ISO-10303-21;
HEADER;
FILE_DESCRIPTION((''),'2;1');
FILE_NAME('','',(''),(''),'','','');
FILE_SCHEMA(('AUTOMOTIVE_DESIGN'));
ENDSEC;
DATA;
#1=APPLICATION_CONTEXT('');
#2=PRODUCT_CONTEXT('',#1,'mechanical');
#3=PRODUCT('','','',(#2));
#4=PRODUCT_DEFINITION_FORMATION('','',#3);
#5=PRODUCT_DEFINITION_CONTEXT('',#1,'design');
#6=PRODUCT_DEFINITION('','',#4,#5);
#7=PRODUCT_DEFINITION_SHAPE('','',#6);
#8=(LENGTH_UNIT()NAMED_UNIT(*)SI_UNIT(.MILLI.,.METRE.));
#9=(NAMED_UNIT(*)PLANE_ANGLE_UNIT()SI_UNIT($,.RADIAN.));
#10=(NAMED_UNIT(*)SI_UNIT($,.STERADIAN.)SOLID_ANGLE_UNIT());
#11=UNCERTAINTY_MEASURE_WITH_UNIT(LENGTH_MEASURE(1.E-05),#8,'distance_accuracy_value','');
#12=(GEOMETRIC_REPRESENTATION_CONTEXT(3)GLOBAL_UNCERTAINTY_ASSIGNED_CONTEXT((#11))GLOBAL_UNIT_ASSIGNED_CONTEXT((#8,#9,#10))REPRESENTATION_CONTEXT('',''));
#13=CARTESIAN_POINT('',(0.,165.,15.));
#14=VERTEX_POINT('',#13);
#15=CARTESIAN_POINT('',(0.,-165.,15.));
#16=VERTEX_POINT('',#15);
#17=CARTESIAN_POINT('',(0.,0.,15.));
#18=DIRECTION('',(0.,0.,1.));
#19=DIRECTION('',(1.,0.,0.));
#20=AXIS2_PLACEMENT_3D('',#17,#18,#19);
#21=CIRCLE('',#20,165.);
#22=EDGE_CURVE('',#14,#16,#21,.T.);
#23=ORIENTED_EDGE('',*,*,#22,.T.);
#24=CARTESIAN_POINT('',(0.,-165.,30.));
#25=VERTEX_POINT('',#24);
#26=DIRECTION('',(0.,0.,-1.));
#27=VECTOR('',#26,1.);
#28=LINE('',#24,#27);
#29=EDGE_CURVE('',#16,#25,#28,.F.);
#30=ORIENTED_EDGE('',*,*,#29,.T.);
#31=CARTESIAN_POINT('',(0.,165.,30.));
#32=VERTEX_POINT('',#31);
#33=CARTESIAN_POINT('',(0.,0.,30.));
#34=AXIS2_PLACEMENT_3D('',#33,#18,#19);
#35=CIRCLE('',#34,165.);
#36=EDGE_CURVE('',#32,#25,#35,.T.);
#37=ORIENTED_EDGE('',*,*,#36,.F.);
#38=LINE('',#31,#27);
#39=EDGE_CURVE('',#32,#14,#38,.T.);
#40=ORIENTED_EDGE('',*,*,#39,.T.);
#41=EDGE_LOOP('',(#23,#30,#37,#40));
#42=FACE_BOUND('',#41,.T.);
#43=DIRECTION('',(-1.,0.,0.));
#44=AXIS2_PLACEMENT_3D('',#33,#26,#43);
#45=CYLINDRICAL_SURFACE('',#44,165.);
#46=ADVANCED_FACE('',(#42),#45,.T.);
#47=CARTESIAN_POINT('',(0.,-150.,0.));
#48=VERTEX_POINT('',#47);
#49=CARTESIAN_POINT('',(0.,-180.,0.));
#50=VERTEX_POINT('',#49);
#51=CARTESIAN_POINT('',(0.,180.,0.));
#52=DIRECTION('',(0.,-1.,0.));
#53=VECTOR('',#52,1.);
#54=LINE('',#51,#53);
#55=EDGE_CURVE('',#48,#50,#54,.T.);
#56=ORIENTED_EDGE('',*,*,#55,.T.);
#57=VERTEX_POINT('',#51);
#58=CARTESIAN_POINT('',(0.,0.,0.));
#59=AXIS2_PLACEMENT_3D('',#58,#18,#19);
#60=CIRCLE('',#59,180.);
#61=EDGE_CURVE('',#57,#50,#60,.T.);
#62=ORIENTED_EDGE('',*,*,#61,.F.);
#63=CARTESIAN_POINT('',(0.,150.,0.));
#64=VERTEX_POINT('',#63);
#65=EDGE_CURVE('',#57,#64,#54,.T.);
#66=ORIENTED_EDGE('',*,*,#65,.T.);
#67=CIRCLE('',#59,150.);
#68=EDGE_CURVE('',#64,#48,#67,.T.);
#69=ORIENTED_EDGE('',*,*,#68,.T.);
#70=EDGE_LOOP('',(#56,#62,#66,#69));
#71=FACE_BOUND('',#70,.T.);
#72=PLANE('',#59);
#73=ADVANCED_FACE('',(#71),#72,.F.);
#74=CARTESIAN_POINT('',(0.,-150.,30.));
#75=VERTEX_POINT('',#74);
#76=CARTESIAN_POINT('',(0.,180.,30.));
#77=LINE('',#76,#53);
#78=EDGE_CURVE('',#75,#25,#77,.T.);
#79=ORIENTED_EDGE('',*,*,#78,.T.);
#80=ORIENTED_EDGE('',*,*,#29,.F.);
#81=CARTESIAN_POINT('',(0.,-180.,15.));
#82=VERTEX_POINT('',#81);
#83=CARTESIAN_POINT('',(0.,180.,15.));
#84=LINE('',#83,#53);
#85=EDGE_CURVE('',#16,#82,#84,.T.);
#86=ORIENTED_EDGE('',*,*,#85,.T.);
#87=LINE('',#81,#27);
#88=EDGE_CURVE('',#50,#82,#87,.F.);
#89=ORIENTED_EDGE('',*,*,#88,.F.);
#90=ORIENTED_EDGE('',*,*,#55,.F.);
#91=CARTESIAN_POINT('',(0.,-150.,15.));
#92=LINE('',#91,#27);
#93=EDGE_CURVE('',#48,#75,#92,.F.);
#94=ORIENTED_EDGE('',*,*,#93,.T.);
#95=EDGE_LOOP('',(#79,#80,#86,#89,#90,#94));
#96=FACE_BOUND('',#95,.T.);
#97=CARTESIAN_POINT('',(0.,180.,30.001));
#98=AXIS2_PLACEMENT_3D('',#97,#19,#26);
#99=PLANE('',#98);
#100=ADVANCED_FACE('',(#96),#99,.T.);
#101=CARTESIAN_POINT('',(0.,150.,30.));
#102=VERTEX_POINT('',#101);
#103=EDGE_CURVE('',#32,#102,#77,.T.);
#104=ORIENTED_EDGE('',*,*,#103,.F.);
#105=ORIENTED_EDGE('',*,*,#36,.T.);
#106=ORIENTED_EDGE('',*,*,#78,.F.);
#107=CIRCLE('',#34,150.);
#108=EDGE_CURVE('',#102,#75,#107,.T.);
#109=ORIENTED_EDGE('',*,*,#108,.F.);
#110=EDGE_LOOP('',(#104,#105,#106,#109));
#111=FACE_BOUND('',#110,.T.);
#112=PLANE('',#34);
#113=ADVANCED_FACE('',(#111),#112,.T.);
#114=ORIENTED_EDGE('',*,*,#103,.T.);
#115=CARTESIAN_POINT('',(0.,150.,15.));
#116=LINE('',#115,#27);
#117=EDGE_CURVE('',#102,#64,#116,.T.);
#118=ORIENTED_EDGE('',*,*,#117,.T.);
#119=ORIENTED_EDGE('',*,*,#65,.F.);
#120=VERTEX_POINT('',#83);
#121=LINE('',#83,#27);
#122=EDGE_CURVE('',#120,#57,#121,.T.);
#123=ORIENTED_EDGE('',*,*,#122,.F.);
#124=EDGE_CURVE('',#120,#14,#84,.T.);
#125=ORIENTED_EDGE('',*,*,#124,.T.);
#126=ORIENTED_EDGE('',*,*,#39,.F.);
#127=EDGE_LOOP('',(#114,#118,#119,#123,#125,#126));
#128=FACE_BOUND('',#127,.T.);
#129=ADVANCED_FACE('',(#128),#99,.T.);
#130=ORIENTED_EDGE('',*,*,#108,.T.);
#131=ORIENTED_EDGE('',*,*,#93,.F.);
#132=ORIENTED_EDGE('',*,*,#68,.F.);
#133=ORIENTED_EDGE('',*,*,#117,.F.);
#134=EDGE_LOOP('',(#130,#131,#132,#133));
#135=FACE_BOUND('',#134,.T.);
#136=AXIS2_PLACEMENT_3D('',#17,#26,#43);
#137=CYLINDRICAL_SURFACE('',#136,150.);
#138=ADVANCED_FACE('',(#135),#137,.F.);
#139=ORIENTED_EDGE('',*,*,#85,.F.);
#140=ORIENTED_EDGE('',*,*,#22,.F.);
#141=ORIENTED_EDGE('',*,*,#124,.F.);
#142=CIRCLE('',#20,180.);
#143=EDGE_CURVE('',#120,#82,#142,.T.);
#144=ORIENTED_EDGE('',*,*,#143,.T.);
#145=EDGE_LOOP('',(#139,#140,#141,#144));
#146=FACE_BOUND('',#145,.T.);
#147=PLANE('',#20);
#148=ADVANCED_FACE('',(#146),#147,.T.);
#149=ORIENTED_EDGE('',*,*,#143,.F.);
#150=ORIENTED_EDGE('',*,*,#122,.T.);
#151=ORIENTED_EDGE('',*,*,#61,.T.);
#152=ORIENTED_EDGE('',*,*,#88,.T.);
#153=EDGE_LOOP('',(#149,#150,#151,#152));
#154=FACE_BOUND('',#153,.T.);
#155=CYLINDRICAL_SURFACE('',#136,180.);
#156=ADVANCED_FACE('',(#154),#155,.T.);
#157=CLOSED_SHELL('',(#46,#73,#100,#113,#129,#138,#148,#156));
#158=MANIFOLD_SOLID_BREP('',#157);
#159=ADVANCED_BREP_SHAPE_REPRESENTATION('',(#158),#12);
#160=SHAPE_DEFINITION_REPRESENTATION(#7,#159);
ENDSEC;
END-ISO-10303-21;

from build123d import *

# Parameters (mm, degrees)
SKETCH1_R           = 180
SKETCH1_R_2         = 150
BOSS_EXTRUDE1_DEPTH = 15
SKETCH2_R           = 165
SKETCH2_R_2         = 150
BOSS_EXTRUDE2_DEPTH = 15
CUT_EXTRUDE1_REACH  = 32
SKETCH3_W           = 245
SKETCH3_H           = 360


with BuildPart() as part:
    # Sketch1 → Boss-Extrude1 (new body)
    with BuildSketch(Plane.XY):
        Circle(SKETCH1_R)
        Circle(SKETCH1_R_2, mode=Mode.SUBTRACT)
    extrude(amount=BOSS_EXTRUDE1_DEPTH)

    # Sketch2 → Boss-Extrude2 (add)
    with BuildSketch(Plane.XY.offset(15)):
        Circle(SKETCH2_R)
        Circle(SKETCH2_R_2, mode=Mode.SUBTRACT)
    extrude(amount=BOSS_EXTRUDE2_DEPTH)

    # Sketch3 → Cut-Extrude1 (cut, up to next)
    with BuildSketch(Plane.XY, mode=Mode.PRIVATE) as cut_extrude1_sk1:
        with Locations((122.5, 0)):
            Rectangle(SKETCH3_W, SKETCH3_H)
    cut_extrude1_tool1 = extrude(cut_extrude1_sk1.sketch, amount=CUT_EXTRUDE1_REACH, mode=Mode.PRIVATE) & part.part
    add(cut_extrude1_tool1.solids().sort_by_distance((122.5, 0, 0))[0], mode=Mode.SUBTRACT)


solid = part.part
